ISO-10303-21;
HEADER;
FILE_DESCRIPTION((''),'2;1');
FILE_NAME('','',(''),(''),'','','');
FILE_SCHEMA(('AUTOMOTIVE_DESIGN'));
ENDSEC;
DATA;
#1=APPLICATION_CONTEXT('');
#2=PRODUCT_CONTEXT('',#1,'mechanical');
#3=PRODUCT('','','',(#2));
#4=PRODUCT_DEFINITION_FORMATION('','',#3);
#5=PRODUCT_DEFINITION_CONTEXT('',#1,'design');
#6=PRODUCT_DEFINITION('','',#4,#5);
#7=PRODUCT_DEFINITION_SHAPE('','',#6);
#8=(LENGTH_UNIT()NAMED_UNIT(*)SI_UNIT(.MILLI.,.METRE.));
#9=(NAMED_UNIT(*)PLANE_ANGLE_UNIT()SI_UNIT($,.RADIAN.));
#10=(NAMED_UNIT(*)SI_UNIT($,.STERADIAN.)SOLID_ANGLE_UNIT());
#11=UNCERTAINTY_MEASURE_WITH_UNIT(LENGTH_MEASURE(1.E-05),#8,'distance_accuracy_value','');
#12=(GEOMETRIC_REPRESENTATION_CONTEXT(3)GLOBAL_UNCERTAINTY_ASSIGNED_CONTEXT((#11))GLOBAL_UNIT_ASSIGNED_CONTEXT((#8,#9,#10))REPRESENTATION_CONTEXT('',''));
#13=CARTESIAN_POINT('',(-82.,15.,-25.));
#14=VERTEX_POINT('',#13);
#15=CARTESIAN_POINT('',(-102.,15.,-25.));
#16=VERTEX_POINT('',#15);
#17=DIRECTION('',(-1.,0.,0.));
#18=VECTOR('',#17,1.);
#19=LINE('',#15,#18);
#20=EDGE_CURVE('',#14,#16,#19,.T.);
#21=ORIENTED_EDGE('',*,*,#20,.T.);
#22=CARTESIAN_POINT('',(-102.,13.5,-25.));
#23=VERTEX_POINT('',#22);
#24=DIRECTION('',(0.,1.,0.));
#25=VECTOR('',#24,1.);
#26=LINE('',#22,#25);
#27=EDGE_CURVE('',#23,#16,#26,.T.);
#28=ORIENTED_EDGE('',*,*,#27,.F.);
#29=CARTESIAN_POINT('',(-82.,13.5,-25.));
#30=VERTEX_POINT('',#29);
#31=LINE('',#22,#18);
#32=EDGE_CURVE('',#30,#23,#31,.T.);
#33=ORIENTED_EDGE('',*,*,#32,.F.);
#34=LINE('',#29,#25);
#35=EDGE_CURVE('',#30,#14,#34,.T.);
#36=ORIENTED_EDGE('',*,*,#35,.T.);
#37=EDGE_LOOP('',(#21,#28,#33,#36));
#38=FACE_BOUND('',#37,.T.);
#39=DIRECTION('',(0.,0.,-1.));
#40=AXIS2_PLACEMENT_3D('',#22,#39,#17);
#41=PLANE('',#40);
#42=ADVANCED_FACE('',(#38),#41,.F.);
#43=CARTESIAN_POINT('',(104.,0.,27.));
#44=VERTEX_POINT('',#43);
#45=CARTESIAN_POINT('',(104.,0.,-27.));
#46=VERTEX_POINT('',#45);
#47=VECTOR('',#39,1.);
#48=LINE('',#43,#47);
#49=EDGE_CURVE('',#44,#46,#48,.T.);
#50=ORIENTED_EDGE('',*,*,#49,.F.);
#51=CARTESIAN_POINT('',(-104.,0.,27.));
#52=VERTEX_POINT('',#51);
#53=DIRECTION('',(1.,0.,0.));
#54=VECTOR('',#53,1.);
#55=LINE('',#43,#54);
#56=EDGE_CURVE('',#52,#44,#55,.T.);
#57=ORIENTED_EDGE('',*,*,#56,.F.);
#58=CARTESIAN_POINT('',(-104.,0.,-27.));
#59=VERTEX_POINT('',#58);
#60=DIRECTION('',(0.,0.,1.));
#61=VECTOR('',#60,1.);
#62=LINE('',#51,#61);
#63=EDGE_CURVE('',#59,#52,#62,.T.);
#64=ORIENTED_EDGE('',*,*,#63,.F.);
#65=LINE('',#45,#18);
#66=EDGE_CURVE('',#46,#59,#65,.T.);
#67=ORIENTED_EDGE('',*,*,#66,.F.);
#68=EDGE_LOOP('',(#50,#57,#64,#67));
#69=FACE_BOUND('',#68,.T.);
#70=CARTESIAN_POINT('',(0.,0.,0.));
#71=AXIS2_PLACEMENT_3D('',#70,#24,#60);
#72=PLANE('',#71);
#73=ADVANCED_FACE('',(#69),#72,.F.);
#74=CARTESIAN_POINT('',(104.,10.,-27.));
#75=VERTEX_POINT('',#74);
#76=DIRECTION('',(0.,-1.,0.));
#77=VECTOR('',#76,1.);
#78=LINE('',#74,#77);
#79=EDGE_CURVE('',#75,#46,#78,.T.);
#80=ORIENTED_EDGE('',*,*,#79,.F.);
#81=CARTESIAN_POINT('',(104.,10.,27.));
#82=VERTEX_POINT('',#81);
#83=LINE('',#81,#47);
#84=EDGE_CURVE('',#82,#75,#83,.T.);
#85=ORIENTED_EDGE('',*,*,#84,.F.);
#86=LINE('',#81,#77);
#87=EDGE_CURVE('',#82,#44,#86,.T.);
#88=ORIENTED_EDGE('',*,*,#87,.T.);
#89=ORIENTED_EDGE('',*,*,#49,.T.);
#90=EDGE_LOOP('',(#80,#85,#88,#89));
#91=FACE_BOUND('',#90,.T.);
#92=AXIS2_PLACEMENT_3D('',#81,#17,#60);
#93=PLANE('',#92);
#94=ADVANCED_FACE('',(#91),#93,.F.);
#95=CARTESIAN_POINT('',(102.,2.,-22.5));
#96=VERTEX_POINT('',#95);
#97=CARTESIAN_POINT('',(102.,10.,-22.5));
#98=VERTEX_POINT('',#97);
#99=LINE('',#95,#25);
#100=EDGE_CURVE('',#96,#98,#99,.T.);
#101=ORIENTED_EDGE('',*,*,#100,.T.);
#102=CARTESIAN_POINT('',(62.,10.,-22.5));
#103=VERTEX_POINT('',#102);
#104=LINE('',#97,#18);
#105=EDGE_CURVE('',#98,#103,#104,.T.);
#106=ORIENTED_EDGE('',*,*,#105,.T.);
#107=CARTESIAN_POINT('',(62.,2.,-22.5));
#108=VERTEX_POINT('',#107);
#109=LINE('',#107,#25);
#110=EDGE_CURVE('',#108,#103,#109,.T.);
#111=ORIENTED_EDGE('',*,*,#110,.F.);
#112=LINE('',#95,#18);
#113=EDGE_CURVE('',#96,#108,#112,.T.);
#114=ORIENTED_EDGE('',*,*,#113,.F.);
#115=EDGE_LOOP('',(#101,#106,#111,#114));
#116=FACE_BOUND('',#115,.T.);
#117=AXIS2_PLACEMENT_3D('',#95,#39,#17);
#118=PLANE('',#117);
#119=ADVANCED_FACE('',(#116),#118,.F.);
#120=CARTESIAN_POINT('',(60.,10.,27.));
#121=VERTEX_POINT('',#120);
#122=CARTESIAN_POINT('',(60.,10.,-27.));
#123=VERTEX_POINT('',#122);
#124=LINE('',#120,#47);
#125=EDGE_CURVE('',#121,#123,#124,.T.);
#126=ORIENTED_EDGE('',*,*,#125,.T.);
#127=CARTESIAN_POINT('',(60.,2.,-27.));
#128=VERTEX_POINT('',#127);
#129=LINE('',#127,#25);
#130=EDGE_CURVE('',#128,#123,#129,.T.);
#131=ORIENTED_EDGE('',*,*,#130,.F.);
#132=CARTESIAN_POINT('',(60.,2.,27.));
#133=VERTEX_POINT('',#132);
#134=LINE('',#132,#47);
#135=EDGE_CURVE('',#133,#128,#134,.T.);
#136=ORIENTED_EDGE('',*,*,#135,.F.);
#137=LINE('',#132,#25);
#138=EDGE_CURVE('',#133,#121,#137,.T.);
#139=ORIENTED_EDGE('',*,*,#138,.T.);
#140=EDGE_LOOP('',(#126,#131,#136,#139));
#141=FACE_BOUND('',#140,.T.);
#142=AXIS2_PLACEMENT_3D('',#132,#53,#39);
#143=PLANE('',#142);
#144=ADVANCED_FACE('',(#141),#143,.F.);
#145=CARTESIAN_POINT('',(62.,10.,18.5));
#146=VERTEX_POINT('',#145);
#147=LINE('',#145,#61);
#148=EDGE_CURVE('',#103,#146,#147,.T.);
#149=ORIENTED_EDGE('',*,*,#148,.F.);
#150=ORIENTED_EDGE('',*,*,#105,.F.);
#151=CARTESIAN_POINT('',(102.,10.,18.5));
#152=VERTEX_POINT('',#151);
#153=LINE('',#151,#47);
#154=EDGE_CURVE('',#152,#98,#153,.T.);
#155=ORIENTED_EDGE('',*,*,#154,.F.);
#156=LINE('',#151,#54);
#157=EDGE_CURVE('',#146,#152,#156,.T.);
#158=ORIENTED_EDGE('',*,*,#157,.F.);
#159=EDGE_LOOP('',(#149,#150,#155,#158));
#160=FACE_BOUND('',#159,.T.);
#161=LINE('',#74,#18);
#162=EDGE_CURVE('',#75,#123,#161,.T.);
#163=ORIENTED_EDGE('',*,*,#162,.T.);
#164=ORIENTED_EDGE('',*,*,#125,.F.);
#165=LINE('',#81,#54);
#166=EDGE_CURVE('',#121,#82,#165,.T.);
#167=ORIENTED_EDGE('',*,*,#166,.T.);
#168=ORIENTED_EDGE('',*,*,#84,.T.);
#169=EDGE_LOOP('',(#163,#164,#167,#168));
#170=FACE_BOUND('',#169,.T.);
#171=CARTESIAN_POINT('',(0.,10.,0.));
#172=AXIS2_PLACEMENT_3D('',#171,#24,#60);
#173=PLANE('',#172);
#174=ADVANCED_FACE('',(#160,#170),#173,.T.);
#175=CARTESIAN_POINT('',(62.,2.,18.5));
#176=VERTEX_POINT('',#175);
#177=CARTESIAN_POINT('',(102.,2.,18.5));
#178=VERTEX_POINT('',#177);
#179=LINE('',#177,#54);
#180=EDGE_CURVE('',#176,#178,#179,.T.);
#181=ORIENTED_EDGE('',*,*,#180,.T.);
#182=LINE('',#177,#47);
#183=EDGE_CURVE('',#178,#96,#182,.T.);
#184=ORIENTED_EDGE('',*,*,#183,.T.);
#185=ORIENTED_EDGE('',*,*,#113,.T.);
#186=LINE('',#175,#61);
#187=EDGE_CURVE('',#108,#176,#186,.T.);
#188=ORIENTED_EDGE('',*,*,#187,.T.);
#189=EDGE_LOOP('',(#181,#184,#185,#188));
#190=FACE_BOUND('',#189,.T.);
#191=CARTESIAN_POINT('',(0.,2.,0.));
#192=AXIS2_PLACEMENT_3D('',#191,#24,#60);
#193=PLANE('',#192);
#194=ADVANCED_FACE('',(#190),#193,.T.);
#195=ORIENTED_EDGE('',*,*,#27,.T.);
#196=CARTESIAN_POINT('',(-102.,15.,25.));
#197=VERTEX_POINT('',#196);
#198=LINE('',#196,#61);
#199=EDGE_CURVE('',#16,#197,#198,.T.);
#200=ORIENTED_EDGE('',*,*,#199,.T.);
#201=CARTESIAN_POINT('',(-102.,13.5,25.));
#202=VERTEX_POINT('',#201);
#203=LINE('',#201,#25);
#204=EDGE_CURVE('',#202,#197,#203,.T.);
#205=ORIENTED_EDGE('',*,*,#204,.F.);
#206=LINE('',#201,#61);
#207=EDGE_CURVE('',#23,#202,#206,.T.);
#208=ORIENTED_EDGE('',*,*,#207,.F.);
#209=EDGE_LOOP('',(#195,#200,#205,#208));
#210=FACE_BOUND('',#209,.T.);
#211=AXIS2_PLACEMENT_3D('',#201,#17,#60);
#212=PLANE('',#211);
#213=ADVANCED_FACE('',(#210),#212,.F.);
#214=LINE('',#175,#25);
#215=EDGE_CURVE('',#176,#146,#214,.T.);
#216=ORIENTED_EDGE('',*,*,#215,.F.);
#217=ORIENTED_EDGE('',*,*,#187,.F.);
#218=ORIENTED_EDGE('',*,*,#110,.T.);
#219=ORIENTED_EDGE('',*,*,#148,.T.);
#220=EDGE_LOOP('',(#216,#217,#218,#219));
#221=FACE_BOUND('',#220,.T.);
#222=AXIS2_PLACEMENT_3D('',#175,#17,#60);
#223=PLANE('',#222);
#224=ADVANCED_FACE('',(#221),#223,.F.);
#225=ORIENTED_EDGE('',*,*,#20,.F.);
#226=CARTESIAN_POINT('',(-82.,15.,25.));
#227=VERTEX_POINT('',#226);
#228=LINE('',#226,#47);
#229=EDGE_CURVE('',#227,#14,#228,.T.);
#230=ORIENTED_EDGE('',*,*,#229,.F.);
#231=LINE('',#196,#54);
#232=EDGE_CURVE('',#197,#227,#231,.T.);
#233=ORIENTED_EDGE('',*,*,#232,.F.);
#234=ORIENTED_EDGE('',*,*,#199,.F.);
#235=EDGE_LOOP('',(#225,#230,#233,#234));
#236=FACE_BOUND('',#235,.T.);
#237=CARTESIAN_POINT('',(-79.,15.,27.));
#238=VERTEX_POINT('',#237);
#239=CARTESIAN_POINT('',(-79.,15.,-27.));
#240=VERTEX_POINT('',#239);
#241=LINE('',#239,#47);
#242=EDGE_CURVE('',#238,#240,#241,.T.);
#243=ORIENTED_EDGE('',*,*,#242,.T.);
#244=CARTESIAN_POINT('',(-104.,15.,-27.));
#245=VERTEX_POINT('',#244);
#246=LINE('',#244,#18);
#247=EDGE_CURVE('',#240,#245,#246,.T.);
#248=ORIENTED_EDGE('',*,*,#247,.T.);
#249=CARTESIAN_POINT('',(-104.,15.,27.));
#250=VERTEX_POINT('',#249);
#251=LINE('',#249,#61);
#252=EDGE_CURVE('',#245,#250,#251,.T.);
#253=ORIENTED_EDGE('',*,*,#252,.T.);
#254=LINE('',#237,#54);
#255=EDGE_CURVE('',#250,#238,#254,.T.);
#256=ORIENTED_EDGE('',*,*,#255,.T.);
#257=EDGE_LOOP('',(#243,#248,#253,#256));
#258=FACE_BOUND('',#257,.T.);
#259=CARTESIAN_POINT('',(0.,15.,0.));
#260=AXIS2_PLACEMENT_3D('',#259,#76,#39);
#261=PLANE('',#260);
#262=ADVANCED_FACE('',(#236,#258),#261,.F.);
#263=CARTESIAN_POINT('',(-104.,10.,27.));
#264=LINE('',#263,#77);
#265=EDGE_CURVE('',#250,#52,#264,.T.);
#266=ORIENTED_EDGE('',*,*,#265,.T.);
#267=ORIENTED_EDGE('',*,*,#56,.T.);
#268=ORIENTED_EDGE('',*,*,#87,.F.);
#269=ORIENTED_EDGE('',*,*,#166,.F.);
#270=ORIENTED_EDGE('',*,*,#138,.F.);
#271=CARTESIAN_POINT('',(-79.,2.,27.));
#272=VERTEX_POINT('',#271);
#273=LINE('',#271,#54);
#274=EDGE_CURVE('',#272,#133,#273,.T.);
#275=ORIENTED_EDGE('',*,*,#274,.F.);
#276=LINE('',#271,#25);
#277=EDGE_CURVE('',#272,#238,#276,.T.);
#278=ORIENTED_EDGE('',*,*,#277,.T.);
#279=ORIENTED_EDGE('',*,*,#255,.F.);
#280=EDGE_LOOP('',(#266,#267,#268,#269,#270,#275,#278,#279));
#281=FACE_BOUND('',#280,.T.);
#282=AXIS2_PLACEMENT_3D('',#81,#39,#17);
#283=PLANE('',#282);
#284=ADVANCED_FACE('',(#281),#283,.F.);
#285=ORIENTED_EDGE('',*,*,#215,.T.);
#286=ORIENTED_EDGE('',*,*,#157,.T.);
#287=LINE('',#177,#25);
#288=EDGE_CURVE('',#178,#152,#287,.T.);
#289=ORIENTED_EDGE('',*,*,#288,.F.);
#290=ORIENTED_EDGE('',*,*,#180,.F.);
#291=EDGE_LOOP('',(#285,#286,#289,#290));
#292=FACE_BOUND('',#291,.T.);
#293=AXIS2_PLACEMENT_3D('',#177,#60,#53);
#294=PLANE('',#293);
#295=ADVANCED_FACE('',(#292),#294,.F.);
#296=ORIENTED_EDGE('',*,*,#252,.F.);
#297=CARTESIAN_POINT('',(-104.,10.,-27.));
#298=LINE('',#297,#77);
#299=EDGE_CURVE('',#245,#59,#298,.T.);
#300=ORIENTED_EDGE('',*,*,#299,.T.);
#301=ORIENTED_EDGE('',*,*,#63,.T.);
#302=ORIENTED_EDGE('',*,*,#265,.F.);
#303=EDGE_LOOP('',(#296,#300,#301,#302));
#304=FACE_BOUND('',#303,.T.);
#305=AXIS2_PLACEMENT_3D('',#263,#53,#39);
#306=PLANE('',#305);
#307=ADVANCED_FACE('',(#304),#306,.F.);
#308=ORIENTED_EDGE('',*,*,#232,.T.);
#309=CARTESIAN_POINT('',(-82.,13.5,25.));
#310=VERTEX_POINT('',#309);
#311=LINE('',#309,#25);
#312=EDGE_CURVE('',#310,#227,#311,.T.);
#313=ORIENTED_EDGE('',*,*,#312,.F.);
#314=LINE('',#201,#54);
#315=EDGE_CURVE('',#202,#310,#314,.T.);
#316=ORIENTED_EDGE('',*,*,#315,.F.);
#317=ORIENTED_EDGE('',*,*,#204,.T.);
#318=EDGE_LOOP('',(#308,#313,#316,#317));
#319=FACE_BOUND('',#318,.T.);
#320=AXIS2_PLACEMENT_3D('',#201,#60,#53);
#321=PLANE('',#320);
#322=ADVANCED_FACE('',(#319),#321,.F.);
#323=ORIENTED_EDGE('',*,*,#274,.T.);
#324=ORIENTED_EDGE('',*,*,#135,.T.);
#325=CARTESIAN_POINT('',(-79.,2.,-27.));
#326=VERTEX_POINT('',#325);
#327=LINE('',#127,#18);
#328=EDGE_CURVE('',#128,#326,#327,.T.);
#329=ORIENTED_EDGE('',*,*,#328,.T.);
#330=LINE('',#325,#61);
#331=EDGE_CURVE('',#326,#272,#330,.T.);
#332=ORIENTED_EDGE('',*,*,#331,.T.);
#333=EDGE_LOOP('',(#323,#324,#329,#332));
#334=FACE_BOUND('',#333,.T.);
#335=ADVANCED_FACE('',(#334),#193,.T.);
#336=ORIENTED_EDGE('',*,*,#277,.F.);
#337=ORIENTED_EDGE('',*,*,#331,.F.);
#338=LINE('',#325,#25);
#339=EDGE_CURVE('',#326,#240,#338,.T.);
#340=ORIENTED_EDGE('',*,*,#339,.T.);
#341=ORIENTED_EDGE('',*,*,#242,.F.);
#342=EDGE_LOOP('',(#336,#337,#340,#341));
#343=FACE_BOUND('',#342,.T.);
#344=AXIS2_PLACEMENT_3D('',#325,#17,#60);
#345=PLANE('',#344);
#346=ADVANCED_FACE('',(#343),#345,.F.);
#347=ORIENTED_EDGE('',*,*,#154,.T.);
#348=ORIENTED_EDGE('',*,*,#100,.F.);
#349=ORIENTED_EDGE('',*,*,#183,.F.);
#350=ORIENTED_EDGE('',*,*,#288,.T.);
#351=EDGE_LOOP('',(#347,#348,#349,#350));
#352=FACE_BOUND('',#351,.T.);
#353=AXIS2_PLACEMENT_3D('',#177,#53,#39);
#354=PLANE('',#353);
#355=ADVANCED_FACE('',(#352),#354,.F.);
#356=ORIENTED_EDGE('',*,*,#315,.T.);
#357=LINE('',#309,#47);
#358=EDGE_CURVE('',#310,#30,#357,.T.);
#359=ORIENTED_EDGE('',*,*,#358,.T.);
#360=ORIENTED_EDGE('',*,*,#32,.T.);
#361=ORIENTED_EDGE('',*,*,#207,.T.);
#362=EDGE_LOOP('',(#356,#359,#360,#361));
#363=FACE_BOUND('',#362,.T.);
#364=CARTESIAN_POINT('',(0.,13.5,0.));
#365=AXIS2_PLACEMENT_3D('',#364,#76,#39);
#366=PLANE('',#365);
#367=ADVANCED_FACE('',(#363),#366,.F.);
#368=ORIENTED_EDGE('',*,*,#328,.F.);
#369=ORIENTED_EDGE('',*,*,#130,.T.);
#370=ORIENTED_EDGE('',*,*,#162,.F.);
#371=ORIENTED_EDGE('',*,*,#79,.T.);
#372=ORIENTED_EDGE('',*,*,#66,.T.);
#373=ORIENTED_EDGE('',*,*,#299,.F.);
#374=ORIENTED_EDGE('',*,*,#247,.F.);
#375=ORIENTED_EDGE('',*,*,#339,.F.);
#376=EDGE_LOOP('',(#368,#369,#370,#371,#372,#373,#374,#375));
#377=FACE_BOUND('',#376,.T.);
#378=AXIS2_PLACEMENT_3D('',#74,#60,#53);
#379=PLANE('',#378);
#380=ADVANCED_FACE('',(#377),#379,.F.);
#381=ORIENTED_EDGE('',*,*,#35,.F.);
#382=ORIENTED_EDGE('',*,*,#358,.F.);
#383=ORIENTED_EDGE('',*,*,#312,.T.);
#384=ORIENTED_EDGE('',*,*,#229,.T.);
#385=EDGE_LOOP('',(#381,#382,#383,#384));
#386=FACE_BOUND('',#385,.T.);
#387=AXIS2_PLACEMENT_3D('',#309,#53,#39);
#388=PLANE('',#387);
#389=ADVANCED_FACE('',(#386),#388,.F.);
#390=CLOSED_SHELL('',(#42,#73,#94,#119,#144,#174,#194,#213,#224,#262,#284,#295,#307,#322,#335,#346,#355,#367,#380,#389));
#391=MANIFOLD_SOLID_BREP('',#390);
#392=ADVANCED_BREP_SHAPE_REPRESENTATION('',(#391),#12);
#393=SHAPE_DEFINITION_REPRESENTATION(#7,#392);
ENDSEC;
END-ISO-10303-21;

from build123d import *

# Parameters (mm, degrees)
SKETCH2_W           = 208
SKETCH2_H           = 54
BOSS_EXTRUDE1_DEPTH = 10
SKETCH4_W           = 139
SKETCH4_H           = 54
CUT_EXTRUDE1_DEPTH  = 8
SKETCH3_W           = 40
SKETCH3_H           = 41
CUT_EXTRUDE2_DEPTH  = 8
SKETCH6_W           = 25
SKETCH6_H           = 54
BOSS_EXTRUDE2_DEPTH = 5
SKETCH7_W           = 20
SKETCH7_H           = 50
CUT_EXTRUDE3_DEPTH  = 1.5


with BuildPart() as part:
    # Sketch2 → Boss-Extrude1 (new body)
    with BuildSketch(Plane(origin=(0, 0, 0), x_dir=(1, 0, 0), z_dir=(0, 1, 0))):
        Rectangle(SKETCH2_W, SKETCH2_H)
    extrude(amount=BOSS_EXTRUDE1_DEPTH)

    # Sketch4 → Cut-Extrude1 (cut)
    with BuildSketch(Plane(origin=(0, 10, 0), x_dir=(1, 0, 0), z_dir=(0, 1, 0))):
        with Locations((-9.5, 0)):
            Rectangle(SKETCH4_W, SKETCH4_H)
    extrude(amount=-CUT_EXTRUDE1_DEPTH, mode=Mode.SUBTRACT)

    # Sketch3 → Cut-Extrude2 (cut)
    with BuildSketch(Plane(origin=(0, 10, 0), x_dir=(1, 0, 0), z_dir=(0, 1, 0))):
        with Locations((82, 2)):
            Rectangle(SKETCH3_W, SKETCH3_H)
    extrude(amount=-CUT_EXTRUDE2_DEPTH, mode=Mode.SUBTRACT)

    # Sketch6 → Boss-Extrude2 (add)
    with BuildSketch(Plane(origin=(0, 10, 0), x_dir=(1, 0, 0), z_dir=(0, 1, 0))):
        with Locations((-91.5, 0)):
            Rectangle(SKETCH6_W, SKETCH6_H)
    extrude(amount=BOSS_EXTRUDE2_DEPTH)

    # Sketch7 → Cut-Extrude3 (cut)
    with BuildSketch(Plane(origin=(0, 15, 0), x_dir=(1, 0, 0), z_dir=(0, 1, 0))):
        with Locations((-92, 0)):
            Rectangle(SKETCH7_W, SKETCH7_H)
    extrude(amount=-CUT_EXTRUDE3_DEPTH, mode=Mode.SUBTRACT)


solid = part.part
